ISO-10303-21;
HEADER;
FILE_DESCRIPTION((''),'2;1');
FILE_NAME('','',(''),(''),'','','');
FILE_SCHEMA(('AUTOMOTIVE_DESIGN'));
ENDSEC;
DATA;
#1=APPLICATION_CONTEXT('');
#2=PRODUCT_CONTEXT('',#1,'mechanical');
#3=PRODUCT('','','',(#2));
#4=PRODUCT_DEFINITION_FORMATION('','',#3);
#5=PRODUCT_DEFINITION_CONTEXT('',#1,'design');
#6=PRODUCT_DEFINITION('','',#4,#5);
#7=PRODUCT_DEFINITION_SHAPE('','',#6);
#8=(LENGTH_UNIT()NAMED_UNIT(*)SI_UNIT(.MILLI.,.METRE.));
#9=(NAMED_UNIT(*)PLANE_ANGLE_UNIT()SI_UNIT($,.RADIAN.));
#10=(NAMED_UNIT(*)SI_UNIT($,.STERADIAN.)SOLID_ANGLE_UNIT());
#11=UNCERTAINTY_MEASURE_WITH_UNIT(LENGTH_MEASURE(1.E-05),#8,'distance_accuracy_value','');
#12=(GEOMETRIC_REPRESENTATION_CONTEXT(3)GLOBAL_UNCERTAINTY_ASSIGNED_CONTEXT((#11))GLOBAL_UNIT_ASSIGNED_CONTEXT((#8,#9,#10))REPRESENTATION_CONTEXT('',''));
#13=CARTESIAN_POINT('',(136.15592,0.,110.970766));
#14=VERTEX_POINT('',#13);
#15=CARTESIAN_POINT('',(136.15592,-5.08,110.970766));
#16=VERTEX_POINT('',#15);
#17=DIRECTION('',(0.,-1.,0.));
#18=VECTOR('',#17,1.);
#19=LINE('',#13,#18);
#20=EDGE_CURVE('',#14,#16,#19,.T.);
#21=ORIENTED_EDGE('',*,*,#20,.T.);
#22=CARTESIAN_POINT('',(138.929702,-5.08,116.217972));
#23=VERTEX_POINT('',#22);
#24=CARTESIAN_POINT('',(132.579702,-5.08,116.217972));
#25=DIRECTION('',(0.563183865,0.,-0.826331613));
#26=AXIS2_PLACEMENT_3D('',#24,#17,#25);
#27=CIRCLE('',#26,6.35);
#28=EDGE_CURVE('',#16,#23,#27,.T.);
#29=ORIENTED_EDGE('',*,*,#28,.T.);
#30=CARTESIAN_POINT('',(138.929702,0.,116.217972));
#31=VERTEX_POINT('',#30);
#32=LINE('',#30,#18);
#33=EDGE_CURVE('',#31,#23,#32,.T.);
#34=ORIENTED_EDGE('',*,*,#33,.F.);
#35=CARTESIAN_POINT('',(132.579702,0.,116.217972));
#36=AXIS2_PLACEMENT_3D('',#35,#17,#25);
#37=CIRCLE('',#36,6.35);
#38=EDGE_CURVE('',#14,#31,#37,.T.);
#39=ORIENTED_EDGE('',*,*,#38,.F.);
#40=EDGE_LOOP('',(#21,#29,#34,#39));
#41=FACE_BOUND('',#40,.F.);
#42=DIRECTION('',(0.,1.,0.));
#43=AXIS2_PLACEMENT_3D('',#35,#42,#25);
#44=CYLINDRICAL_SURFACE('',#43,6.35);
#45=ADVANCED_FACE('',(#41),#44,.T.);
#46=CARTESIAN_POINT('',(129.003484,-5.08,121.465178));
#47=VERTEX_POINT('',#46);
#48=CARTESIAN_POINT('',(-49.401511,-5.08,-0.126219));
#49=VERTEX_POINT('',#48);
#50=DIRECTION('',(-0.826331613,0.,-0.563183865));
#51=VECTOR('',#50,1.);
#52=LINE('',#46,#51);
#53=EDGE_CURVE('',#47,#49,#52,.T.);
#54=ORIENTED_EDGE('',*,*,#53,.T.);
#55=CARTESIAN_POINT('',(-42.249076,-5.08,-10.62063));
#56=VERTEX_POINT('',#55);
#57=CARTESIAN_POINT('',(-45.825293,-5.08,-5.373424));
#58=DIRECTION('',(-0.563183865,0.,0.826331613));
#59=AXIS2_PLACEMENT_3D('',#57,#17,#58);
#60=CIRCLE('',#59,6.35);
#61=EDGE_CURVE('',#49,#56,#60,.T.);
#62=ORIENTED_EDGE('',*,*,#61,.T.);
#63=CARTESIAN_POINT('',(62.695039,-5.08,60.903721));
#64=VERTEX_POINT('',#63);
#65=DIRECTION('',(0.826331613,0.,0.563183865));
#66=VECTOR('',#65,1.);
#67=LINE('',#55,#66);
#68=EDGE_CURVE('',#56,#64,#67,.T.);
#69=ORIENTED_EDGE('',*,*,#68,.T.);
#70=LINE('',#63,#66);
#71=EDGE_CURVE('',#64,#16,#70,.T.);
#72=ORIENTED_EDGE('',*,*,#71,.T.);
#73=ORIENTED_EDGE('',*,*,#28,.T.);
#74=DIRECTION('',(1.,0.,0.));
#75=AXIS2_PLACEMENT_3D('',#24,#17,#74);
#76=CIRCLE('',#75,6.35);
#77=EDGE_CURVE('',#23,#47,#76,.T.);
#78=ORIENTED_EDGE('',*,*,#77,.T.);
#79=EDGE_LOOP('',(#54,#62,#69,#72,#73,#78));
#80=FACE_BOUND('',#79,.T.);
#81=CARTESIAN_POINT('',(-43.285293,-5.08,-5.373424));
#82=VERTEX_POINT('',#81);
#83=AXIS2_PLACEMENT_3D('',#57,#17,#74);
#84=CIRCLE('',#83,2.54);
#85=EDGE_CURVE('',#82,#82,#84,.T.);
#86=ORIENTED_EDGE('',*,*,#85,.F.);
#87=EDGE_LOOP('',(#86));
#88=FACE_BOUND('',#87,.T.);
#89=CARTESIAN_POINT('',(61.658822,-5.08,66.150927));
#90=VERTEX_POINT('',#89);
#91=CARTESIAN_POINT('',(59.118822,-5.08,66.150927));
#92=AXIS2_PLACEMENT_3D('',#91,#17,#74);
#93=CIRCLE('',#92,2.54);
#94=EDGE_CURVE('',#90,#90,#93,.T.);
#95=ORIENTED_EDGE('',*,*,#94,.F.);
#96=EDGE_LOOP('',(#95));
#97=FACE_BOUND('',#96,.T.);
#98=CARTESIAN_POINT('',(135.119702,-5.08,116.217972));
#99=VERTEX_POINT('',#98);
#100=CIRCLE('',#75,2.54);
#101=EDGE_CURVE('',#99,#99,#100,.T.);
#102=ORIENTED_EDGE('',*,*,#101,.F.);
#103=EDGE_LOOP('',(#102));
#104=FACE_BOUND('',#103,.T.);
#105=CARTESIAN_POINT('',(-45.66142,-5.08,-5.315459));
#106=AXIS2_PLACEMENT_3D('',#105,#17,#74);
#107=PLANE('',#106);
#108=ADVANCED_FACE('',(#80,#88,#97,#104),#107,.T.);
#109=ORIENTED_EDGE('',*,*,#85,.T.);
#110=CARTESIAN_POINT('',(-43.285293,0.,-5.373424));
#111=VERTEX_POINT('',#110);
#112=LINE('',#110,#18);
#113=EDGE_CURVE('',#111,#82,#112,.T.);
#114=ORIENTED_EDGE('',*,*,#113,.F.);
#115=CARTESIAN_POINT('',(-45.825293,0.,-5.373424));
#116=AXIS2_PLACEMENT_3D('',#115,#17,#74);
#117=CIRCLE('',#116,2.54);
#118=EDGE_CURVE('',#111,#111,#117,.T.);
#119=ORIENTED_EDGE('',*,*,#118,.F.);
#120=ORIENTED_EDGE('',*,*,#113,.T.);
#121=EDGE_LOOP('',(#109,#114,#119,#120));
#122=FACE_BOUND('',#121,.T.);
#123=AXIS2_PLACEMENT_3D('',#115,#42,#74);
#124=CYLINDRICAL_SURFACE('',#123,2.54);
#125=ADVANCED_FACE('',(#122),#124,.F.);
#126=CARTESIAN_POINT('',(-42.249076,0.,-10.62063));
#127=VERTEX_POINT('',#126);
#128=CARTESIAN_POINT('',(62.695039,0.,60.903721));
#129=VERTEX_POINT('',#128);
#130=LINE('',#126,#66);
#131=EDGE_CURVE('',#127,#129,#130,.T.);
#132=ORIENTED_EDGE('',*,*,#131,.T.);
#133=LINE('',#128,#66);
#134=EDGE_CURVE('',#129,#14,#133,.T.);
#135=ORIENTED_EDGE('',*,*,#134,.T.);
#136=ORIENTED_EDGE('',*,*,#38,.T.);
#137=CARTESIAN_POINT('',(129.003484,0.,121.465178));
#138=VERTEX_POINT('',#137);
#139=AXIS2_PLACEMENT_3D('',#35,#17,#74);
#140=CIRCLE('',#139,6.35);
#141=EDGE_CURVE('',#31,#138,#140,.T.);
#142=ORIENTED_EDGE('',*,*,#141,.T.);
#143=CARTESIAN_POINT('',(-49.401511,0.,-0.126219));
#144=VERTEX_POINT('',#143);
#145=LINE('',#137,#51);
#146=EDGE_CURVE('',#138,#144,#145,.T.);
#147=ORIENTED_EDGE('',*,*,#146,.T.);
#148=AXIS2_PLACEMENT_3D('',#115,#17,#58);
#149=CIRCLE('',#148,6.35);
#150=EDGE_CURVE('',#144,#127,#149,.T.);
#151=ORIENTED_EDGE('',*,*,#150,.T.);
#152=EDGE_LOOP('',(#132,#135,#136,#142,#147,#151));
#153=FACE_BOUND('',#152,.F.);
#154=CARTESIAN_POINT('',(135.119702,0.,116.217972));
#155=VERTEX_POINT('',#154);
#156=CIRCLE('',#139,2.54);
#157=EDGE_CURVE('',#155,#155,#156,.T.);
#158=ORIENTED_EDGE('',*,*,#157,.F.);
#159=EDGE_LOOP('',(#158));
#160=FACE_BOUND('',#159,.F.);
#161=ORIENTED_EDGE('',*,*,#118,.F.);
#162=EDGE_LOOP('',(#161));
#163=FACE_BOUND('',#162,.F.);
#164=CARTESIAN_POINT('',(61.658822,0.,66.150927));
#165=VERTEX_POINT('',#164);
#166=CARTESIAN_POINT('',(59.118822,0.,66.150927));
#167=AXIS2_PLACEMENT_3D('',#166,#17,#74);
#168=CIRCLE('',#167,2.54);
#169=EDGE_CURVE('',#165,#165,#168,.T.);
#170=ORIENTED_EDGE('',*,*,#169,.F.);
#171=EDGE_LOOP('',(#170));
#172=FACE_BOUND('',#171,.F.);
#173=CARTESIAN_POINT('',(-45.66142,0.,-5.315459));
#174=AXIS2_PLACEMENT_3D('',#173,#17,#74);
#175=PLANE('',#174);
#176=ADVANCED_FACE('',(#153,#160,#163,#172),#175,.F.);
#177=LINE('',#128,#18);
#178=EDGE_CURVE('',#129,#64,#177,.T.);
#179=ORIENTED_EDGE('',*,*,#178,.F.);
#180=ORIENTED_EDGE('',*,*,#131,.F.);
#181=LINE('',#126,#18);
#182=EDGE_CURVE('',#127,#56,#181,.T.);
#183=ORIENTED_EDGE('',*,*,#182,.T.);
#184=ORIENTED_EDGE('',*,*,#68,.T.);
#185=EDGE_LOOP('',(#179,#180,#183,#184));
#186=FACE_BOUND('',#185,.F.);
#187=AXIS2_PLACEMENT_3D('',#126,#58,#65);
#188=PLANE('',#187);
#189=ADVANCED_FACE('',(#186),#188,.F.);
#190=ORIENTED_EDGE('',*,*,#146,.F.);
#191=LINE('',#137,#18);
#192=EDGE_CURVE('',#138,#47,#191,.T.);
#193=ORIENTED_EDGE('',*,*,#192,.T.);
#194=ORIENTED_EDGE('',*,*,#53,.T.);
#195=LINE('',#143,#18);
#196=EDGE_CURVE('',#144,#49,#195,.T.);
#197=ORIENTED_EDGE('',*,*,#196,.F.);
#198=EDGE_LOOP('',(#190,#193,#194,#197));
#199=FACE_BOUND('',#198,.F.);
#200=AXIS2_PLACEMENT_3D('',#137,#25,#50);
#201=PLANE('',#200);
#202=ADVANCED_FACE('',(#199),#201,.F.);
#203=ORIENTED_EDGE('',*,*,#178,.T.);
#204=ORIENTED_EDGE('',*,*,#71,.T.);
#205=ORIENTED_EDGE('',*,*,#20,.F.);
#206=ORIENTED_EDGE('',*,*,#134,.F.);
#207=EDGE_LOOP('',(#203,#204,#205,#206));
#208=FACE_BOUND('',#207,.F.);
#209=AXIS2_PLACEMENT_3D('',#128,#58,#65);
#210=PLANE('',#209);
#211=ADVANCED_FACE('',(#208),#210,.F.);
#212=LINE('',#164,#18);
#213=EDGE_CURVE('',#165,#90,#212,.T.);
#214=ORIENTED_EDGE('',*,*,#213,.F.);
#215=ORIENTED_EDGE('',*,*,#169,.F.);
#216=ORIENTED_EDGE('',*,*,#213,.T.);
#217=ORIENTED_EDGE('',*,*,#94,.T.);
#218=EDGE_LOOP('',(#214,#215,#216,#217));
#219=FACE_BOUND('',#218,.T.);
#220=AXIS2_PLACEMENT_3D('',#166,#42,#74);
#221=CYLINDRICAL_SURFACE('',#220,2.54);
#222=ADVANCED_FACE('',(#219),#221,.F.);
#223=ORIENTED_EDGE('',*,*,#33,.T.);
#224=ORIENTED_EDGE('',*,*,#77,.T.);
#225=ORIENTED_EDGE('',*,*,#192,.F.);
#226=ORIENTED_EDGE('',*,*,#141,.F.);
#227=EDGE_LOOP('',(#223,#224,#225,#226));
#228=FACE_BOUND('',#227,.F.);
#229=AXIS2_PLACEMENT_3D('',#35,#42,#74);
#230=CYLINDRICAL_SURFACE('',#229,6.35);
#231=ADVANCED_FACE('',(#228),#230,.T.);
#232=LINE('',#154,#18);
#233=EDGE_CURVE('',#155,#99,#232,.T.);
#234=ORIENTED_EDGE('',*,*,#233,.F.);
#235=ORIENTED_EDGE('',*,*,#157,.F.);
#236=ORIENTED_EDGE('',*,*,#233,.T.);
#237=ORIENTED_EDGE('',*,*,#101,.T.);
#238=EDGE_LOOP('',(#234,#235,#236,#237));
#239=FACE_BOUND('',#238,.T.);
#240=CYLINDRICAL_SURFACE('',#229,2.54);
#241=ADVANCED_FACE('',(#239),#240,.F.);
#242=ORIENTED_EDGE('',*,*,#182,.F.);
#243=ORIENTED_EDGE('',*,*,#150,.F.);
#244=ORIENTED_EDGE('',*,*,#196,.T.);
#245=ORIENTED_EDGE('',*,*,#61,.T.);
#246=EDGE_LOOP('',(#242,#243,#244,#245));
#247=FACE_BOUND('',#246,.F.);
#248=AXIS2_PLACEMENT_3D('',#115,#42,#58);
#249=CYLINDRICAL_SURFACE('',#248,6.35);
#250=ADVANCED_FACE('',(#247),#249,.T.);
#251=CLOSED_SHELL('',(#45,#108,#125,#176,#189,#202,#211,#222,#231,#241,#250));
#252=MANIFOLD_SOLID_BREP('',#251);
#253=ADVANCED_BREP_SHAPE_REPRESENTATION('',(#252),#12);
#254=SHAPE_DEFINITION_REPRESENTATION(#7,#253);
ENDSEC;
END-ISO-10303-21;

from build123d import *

# Parameters (mm, degrees)
F0_R     = 2.54
F1_DEPTH = 5.08


with BuildPart() as f1:
    # F0 (on Front) → F1 (new body)
    with BuildSketch(Plane.XZ):
        with BuildLine():
            ThreePointArc((-42.2490756804, -10.6206300524), (-40.2114050241, -8.3410427676), (-39.4752932215, -5.3734243105))
            ThreePointArc((-39.4752932215, -5.3734243105), (-42.8576747645, 0.2404638869), (-49.4015107627, -0.1262185685))
            ThreePointArc((-49.4015107627, -0.1262185685), (-51.0724989635, -8.9496418517), (-42.2490756804, -10.6206300524))
        make_face()
        with Locations((-45.8252932215, -5.3734243105)):
            Circle(F0_R, mode=Mode.SUBTRACT)
        with BuildLine():
            ThreePointArc((-49.4015107627, -0.1262185685), (-42.8576747645, 0.2404638869), (-39.4752932215, -5.3734243105))
            ThreePointArc((-39.4752932215, -5.3734243105), (-40.2114050241, -8.3410427676), (-42.2490756804, -10.6206300524))
            Line((-42.2490756804, -10.6206300524), (62.6950390311, 60.9037206843))
            ThreePointArc((62.6950390311, 60.9037206843), (53.8716158307, 62.5747090371), (55.5426040793, 71.3981322572))
            Line((55.5426040793, 71.3981322572), (-49.4015107627, -0.1262185685))
        make_face()
        with BuildLine():
            Line((129.0034844631, 121.4651778314), (55.5426040793, 71.3981322572))
            ThreePointArc((55.5426040793, 71.3981322572), (62.086440076, 71.7648147095), (65.4688216172, 66.150926513))
            ThreePointArc((65.4688216172, 66.150926513), (64.7327097786, 63.1833079879), (62.6950390311, 60.9037206843))
            Line((62.6950390311, 60.9037206843), (136.1559195454, 110.9707663475))
            ThreePointArc((136.1559195454, 110.9707663475), (127.3324962623, 112.6417545483), (129.0034844631, 121.4651778314))
        make_face()
        with BuildLine():
            ThreePointArc((65.4688216172, 66.150926513), (62.086440076, 71.7648147095), (55.5426040793, 71.3981322572))
            ThreePointArc((55.5426040793, 71.3981322572), (53.8716158307, 62.5747090371), (62.6950390311, 60.9037206843))
            ThreePointArc((62.6950390311, 60.9037206843), (64.7327097786, 63.1833079879), (65.4688216172, 66.150926513))
        make_face()
        with Locations((59.1188216172, 66.150926513)):
            Circle(F0_R, mode=Mode.SUBTRACT)
        with BuildLine():
            ThreePointArc((138.9297020042, 116.2179720895), (135.5473204613, 121.8318602869), (129.0034844631, 121.4651778314))
            ThreePointArc((129.0034844631, 121.4651778314), (127.3324962623, 112.6417545483), (136.1559195454, 110.9707663475))
            ThreePointArc((136.1559195454, 110.9707663475), (138.1935902017, 113.2503536324), (138.9297020042, 116.2179720895))
        make_face()
        with Locations((132.5797020042, 116.2179720895)):
            Circle(F0_R, mode=Mode.SUBTRACT)
    extrude(amount=F1_DEPTH)


solid = f1.part
